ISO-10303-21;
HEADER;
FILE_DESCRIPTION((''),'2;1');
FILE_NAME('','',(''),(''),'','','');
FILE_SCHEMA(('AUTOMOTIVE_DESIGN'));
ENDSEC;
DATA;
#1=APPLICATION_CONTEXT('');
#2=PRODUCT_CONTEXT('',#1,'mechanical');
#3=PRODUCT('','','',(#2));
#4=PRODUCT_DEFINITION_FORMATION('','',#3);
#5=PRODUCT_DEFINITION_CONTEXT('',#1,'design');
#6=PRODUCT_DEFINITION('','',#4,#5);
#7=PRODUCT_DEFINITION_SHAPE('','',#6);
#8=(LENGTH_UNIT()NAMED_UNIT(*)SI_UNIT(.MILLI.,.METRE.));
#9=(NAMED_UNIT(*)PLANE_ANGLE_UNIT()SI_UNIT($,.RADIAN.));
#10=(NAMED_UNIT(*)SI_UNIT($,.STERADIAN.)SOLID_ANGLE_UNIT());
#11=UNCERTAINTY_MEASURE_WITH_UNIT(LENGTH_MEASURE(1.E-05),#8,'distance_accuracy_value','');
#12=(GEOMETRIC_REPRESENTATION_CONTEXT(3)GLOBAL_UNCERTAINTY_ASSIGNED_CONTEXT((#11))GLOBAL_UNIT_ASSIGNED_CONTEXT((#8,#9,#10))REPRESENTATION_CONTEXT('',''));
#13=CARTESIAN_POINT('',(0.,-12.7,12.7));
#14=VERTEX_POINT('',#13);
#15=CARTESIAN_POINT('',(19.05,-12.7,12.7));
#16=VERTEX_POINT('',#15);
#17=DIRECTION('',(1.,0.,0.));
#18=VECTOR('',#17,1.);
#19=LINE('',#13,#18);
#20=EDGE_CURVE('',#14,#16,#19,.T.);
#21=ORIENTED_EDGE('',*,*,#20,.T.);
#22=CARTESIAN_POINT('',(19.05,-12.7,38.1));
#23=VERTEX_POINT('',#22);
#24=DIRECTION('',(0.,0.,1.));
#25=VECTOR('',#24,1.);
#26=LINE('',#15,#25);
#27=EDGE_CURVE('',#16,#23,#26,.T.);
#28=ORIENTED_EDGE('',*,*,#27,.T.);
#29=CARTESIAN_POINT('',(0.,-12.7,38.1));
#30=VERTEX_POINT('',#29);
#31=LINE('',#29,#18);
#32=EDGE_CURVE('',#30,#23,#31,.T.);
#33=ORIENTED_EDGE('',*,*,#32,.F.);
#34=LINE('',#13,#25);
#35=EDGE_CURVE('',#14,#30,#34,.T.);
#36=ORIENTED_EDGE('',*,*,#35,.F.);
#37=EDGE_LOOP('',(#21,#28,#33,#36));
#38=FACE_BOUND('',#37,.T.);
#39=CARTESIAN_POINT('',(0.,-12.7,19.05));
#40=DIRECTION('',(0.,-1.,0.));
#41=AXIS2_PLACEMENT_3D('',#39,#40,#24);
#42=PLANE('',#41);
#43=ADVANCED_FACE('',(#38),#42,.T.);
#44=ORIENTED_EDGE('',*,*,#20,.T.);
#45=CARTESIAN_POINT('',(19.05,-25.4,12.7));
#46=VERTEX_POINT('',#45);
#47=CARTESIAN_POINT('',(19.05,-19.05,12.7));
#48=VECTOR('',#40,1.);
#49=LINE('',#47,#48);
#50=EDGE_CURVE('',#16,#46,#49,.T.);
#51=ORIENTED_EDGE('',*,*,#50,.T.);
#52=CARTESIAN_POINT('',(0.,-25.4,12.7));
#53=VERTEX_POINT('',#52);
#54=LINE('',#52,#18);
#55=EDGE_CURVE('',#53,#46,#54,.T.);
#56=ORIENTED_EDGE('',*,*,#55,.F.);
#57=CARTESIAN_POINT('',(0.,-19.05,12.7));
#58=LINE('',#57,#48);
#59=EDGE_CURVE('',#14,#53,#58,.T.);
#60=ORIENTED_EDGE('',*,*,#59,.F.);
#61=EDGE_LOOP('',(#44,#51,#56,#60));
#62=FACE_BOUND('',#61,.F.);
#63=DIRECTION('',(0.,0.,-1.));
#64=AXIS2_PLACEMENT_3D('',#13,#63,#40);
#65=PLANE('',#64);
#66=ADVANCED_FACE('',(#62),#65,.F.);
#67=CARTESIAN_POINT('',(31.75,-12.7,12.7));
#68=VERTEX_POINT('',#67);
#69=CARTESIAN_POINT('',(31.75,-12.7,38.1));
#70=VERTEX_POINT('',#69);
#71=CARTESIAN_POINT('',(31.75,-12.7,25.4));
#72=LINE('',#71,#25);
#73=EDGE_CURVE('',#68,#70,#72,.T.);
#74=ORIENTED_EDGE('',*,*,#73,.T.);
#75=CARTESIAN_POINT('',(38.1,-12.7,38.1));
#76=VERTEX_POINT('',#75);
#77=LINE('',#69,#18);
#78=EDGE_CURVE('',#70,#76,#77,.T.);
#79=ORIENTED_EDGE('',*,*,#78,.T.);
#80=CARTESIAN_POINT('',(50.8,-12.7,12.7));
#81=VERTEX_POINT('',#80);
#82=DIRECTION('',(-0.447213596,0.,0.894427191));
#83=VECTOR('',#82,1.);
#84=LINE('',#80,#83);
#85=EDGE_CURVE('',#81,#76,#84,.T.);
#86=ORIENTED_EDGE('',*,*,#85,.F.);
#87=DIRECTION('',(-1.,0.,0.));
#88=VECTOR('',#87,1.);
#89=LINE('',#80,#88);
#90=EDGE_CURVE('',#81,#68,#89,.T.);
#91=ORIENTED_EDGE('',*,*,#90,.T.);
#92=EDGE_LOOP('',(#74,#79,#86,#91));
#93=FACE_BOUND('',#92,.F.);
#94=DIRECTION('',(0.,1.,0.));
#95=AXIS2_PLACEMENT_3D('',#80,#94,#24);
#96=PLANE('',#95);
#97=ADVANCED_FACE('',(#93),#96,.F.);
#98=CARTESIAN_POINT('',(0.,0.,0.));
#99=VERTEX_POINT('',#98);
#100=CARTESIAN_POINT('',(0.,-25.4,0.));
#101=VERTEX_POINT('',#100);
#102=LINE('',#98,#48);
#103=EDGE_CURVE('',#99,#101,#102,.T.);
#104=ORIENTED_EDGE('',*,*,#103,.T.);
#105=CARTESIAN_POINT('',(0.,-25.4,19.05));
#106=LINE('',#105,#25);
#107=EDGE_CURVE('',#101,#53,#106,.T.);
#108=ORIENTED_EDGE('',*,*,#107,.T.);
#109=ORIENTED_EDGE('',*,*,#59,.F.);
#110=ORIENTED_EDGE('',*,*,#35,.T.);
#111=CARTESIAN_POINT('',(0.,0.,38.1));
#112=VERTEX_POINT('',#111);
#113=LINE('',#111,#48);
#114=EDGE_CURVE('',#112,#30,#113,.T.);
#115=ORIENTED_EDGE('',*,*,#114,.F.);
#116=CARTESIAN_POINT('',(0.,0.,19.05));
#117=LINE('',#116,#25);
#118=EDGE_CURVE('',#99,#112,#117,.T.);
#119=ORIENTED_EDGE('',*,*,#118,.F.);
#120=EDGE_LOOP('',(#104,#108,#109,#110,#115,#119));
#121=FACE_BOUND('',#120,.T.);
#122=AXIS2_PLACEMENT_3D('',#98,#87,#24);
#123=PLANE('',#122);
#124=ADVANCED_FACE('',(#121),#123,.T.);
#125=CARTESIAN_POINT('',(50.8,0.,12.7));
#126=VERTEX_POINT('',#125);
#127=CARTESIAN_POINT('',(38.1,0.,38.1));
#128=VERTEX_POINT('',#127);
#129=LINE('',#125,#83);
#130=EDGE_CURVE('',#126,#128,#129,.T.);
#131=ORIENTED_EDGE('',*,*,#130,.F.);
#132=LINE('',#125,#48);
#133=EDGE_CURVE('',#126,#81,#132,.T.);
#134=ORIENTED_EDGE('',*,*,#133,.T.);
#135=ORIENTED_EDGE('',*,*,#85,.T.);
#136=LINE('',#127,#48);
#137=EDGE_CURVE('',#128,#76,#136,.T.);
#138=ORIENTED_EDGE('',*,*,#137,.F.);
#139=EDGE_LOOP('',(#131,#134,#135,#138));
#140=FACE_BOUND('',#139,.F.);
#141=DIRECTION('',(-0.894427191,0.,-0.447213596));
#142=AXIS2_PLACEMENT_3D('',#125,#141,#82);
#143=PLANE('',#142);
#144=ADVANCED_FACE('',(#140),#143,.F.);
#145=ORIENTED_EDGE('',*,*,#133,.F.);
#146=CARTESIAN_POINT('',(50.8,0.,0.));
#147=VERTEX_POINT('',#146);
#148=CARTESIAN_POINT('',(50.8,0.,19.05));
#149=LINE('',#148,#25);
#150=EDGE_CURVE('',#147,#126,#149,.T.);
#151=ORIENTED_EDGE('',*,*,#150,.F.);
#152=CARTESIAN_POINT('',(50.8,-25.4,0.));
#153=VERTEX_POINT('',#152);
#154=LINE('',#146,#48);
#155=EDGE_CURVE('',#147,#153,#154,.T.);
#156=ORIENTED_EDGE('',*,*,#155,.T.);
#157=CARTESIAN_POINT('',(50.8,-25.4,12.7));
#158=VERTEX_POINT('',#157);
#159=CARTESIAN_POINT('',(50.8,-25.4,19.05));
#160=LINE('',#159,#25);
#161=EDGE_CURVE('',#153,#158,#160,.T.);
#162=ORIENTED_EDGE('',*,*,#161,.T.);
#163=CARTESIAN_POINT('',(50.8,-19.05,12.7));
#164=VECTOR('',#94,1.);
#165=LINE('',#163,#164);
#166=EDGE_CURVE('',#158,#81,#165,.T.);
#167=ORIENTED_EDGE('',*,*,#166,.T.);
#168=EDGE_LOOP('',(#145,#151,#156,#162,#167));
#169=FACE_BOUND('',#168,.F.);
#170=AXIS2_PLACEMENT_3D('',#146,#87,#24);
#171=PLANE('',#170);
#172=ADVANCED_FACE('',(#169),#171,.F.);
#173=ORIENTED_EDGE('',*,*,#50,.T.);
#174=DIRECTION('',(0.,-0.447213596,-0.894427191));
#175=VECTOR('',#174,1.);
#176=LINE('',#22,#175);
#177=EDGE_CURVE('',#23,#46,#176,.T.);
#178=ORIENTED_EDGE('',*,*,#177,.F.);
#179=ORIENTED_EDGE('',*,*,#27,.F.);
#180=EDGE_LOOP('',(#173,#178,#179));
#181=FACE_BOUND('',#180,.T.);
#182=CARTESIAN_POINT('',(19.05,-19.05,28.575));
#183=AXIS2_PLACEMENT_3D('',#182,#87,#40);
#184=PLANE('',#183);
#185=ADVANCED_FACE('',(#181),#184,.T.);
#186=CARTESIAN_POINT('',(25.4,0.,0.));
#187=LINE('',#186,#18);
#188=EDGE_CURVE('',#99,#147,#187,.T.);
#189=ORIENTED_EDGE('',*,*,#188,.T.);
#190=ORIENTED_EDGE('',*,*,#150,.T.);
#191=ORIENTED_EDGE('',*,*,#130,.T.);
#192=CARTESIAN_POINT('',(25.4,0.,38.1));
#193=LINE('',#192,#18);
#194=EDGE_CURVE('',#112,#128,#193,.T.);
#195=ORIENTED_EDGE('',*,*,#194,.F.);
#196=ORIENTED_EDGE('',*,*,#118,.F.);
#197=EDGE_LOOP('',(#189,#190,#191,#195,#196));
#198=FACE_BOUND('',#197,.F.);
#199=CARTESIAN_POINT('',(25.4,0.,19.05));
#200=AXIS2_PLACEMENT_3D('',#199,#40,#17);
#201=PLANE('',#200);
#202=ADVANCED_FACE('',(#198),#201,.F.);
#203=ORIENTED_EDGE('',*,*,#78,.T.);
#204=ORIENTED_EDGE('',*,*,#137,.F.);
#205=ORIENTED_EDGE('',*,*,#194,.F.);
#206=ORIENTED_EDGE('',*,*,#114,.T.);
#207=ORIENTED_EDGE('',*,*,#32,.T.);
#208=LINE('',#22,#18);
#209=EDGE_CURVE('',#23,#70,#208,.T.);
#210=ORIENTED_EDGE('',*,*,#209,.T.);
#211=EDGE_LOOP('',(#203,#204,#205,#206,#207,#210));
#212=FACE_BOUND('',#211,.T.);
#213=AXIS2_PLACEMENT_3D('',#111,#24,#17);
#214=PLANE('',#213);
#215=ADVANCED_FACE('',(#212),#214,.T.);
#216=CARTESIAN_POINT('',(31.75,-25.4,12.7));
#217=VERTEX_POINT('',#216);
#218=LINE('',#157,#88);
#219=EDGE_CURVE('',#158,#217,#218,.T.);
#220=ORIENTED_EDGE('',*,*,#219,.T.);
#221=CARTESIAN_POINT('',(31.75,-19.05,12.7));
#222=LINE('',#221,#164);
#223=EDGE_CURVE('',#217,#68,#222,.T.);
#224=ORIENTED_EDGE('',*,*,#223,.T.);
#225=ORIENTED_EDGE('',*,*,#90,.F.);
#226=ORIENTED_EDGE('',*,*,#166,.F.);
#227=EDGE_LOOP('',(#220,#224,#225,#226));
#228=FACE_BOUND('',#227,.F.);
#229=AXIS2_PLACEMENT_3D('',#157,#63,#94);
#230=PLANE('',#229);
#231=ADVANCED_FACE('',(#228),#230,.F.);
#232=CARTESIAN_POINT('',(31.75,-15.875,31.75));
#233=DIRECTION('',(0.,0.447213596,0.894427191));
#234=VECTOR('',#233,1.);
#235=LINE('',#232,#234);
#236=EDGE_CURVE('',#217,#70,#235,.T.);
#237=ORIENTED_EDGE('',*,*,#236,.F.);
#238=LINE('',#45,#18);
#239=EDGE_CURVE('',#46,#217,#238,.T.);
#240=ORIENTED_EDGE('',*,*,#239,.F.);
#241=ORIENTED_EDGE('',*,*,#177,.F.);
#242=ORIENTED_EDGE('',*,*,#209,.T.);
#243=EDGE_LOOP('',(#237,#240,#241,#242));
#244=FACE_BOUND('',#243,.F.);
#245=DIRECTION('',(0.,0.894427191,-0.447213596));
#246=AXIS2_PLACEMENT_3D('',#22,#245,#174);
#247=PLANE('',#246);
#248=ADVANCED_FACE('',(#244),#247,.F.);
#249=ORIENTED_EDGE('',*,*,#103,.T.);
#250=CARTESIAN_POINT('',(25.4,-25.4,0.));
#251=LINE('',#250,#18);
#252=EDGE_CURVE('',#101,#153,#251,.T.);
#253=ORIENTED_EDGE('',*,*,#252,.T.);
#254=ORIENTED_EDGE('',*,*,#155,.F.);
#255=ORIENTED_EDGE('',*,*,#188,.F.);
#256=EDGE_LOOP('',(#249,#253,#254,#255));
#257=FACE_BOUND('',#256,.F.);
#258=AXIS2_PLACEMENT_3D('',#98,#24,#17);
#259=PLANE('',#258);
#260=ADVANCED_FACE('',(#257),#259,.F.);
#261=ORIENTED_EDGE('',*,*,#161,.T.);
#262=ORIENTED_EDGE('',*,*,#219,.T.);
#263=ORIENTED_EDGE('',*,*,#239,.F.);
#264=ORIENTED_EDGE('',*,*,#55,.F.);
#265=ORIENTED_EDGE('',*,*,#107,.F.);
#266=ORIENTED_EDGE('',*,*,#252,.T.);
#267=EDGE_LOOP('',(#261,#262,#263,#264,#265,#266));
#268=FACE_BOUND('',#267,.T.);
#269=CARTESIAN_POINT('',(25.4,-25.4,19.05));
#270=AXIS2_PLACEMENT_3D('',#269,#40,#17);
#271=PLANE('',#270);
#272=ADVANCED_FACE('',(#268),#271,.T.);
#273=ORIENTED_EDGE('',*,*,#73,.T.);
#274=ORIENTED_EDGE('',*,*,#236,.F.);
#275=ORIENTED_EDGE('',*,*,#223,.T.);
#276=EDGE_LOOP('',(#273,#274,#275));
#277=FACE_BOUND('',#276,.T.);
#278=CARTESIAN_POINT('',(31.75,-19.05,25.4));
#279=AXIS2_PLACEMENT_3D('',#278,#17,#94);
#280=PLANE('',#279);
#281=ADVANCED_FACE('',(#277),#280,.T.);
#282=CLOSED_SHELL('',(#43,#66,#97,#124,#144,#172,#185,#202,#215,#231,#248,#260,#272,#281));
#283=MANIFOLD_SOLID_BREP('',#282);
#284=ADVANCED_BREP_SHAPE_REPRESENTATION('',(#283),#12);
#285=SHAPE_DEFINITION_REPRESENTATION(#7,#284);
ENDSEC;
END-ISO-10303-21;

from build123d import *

# Parameters (mm, degrees)
F0_W      = 50.8
F0_H      = 38.1
F1_DEPTH  = 25.4
F2_W      = 12.7
F2_H      = 19.05
F3_DEPTH  = 19.05
F4_W      = 12.7
F4_H      = 25.4
F5_DEPTH  = 19.05
F6_W      = 12.7
F6_H      = 6.35
F7_DEPTH  = 19.05
F9_DEPTH  = 25.4
F11_DEPTH = 25.4


with BuildPart() as f1:
    # F0 (on Front) → F1 (new body)
    with BuildSketch(Plane.XZ):
        with Locations((25.4, 19.05)):
            Rectangle(F0_W, F0_H)
    extrude(amount=F1_DEPTH)

    # F2 (on face) → F3 (cut)
    with BuildSketch(Plane(origin=(0, 0, 0), x_dir=(0, -1, 0), z_dir=(-1, 0, 0))):
        with Locations((19.05, 28.575)):
            Rectangle(F2_W, F2_H)
    extrude(amount=-F3_DEPTH, mode=Mode.SUBTRACT)

    # F4 (on face) → F5 (cut)
    with BuildSketch(Plane.YZ.offset(50.8)):
        with Locations((-19.05, 25.4)):
            Rectangle(F4_W, F4_H)
    extrude(amount=-F5_DEPTH, mode=Mode.SUBTRACT)

    # F6 (on face) → F7 (cut)
    with BuildSketch(Plane(origin=(0, 0, 0), x_dir=(0, -1, 0), z_dir=(-1, 0, 0))):
        with Locations((19.05, 15.875)):
            Rectangle(F6_W, F6_H)
    extrude(amount=-F7_DEPTH, mode=Mode.SUBTRACT)

    # F8 (on face) → F9 (cut)
    with BuildSketch(Plane(origin=(19.05, 0, 0), x_dir=(0, -1, 0), z_dir=(-1, 0, 0))):
        Polygon((25.4, 38.1), (12.7, 38.1), (25.4, 12.7), align=None)
    extrude(amount=-F9_DEPTH, mode=Mode.SUBTRACT)

    # F10 (on face) → F11 (cut)
    with BuildSketch(Plane(origin=(0, 0, 0), x_dir=(-1, 0, 0), z_dir=(0, 1, 0))):
        Polygon((-50.8, 12.7), (-38.1, 38.1), (-50.8, 38.1), align=None)
    extrude(amount=-F11_DEPTH, mode=Mode.SUBTRACT)


solid = f1.part
